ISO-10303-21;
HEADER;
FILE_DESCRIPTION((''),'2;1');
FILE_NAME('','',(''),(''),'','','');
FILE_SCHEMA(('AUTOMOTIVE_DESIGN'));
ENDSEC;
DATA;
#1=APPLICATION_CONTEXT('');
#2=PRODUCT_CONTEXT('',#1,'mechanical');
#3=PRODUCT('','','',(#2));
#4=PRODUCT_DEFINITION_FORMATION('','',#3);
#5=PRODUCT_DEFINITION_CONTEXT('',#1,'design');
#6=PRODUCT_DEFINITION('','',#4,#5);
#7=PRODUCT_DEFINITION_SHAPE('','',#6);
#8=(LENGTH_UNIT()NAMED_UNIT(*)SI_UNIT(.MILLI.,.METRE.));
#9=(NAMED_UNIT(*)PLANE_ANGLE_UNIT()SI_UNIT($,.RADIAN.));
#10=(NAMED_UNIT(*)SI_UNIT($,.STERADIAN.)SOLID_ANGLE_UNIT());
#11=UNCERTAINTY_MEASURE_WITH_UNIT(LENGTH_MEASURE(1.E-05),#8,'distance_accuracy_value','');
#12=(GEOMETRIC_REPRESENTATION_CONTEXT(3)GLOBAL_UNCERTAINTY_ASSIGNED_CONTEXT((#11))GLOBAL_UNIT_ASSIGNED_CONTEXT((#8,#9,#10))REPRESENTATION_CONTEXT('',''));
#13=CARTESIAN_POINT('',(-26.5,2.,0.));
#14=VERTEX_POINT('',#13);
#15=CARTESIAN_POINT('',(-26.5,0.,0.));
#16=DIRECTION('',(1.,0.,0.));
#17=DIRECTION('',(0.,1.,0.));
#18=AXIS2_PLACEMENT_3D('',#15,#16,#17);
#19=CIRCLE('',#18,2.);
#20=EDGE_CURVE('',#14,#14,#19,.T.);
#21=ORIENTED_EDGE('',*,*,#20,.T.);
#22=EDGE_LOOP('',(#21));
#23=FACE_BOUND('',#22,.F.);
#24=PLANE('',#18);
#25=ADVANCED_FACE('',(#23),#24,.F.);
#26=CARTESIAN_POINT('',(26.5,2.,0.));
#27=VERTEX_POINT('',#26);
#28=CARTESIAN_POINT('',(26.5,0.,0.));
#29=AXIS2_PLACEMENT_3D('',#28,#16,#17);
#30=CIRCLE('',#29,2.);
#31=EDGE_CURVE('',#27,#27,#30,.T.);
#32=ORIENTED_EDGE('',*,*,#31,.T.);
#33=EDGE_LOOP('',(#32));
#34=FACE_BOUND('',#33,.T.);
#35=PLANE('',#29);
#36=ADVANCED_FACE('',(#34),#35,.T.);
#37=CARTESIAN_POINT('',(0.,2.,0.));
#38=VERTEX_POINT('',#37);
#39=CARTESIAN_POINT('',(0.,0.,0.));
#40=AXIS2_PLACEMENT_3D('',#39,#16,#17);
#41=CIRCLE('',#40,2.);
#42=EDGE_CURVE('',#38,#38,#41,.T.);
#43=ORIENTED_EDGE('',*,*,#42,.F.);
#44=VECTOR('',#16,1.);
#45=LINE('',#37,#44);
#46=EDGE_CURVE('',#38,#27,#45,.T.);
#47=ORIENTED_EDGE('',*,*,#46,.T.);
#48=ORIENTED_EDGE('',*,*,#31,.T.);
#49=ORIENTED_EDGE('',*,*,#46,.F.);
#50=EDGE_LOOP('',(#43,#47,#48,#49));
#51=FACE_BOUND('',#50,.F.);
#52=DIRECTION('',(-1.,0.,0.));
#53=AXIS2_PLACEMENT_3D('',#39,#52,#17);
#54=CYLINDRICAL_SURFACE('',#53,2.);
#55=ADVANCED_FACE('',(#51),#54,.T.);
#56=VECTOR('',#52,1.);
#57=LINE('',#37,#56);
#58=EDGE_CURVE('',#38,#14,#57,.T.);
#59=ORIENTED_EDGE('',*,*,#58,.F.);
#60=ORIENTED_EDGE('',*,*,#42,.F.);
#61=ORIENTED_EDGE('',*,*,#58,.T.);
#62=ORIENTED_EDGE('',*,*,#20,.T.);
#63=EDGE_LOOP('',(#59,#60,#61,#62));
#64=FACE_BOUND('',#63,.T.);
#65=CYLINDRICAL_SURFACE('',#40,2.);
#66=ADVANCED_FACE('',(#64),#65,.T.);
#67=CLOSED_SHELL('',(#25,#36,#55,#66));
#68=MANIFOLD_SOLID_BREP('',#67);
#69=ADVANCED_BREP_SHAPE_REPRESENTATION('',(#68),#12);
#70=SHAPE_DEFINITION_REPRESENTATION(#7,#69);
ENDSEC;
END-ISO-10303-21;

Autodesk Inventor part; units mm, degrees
ref_plane "YZ Plane" through (0, 0, 0) normal (1, 0, 0) x (0, 1, 0)
ref_plane "XZ Plane" through (0, 0, 0) normal (0, 1, 0) x (-1, 0, 0)
ref_plane "XY Plane" through (0, 0, 0) normal (0, 0, 1) x (1, 0, 0)
sketch "Sketch1" plane through (0, 0, 0) normal (1, 0, 0) x (0, 1, 0)
  circle A0 centre (0, 0) radius 2
  dimension "d0" = 4
extrude "Extrusion1" add sketch "Sketch1" along normal mid plane 53
properties part number "front shaft"
